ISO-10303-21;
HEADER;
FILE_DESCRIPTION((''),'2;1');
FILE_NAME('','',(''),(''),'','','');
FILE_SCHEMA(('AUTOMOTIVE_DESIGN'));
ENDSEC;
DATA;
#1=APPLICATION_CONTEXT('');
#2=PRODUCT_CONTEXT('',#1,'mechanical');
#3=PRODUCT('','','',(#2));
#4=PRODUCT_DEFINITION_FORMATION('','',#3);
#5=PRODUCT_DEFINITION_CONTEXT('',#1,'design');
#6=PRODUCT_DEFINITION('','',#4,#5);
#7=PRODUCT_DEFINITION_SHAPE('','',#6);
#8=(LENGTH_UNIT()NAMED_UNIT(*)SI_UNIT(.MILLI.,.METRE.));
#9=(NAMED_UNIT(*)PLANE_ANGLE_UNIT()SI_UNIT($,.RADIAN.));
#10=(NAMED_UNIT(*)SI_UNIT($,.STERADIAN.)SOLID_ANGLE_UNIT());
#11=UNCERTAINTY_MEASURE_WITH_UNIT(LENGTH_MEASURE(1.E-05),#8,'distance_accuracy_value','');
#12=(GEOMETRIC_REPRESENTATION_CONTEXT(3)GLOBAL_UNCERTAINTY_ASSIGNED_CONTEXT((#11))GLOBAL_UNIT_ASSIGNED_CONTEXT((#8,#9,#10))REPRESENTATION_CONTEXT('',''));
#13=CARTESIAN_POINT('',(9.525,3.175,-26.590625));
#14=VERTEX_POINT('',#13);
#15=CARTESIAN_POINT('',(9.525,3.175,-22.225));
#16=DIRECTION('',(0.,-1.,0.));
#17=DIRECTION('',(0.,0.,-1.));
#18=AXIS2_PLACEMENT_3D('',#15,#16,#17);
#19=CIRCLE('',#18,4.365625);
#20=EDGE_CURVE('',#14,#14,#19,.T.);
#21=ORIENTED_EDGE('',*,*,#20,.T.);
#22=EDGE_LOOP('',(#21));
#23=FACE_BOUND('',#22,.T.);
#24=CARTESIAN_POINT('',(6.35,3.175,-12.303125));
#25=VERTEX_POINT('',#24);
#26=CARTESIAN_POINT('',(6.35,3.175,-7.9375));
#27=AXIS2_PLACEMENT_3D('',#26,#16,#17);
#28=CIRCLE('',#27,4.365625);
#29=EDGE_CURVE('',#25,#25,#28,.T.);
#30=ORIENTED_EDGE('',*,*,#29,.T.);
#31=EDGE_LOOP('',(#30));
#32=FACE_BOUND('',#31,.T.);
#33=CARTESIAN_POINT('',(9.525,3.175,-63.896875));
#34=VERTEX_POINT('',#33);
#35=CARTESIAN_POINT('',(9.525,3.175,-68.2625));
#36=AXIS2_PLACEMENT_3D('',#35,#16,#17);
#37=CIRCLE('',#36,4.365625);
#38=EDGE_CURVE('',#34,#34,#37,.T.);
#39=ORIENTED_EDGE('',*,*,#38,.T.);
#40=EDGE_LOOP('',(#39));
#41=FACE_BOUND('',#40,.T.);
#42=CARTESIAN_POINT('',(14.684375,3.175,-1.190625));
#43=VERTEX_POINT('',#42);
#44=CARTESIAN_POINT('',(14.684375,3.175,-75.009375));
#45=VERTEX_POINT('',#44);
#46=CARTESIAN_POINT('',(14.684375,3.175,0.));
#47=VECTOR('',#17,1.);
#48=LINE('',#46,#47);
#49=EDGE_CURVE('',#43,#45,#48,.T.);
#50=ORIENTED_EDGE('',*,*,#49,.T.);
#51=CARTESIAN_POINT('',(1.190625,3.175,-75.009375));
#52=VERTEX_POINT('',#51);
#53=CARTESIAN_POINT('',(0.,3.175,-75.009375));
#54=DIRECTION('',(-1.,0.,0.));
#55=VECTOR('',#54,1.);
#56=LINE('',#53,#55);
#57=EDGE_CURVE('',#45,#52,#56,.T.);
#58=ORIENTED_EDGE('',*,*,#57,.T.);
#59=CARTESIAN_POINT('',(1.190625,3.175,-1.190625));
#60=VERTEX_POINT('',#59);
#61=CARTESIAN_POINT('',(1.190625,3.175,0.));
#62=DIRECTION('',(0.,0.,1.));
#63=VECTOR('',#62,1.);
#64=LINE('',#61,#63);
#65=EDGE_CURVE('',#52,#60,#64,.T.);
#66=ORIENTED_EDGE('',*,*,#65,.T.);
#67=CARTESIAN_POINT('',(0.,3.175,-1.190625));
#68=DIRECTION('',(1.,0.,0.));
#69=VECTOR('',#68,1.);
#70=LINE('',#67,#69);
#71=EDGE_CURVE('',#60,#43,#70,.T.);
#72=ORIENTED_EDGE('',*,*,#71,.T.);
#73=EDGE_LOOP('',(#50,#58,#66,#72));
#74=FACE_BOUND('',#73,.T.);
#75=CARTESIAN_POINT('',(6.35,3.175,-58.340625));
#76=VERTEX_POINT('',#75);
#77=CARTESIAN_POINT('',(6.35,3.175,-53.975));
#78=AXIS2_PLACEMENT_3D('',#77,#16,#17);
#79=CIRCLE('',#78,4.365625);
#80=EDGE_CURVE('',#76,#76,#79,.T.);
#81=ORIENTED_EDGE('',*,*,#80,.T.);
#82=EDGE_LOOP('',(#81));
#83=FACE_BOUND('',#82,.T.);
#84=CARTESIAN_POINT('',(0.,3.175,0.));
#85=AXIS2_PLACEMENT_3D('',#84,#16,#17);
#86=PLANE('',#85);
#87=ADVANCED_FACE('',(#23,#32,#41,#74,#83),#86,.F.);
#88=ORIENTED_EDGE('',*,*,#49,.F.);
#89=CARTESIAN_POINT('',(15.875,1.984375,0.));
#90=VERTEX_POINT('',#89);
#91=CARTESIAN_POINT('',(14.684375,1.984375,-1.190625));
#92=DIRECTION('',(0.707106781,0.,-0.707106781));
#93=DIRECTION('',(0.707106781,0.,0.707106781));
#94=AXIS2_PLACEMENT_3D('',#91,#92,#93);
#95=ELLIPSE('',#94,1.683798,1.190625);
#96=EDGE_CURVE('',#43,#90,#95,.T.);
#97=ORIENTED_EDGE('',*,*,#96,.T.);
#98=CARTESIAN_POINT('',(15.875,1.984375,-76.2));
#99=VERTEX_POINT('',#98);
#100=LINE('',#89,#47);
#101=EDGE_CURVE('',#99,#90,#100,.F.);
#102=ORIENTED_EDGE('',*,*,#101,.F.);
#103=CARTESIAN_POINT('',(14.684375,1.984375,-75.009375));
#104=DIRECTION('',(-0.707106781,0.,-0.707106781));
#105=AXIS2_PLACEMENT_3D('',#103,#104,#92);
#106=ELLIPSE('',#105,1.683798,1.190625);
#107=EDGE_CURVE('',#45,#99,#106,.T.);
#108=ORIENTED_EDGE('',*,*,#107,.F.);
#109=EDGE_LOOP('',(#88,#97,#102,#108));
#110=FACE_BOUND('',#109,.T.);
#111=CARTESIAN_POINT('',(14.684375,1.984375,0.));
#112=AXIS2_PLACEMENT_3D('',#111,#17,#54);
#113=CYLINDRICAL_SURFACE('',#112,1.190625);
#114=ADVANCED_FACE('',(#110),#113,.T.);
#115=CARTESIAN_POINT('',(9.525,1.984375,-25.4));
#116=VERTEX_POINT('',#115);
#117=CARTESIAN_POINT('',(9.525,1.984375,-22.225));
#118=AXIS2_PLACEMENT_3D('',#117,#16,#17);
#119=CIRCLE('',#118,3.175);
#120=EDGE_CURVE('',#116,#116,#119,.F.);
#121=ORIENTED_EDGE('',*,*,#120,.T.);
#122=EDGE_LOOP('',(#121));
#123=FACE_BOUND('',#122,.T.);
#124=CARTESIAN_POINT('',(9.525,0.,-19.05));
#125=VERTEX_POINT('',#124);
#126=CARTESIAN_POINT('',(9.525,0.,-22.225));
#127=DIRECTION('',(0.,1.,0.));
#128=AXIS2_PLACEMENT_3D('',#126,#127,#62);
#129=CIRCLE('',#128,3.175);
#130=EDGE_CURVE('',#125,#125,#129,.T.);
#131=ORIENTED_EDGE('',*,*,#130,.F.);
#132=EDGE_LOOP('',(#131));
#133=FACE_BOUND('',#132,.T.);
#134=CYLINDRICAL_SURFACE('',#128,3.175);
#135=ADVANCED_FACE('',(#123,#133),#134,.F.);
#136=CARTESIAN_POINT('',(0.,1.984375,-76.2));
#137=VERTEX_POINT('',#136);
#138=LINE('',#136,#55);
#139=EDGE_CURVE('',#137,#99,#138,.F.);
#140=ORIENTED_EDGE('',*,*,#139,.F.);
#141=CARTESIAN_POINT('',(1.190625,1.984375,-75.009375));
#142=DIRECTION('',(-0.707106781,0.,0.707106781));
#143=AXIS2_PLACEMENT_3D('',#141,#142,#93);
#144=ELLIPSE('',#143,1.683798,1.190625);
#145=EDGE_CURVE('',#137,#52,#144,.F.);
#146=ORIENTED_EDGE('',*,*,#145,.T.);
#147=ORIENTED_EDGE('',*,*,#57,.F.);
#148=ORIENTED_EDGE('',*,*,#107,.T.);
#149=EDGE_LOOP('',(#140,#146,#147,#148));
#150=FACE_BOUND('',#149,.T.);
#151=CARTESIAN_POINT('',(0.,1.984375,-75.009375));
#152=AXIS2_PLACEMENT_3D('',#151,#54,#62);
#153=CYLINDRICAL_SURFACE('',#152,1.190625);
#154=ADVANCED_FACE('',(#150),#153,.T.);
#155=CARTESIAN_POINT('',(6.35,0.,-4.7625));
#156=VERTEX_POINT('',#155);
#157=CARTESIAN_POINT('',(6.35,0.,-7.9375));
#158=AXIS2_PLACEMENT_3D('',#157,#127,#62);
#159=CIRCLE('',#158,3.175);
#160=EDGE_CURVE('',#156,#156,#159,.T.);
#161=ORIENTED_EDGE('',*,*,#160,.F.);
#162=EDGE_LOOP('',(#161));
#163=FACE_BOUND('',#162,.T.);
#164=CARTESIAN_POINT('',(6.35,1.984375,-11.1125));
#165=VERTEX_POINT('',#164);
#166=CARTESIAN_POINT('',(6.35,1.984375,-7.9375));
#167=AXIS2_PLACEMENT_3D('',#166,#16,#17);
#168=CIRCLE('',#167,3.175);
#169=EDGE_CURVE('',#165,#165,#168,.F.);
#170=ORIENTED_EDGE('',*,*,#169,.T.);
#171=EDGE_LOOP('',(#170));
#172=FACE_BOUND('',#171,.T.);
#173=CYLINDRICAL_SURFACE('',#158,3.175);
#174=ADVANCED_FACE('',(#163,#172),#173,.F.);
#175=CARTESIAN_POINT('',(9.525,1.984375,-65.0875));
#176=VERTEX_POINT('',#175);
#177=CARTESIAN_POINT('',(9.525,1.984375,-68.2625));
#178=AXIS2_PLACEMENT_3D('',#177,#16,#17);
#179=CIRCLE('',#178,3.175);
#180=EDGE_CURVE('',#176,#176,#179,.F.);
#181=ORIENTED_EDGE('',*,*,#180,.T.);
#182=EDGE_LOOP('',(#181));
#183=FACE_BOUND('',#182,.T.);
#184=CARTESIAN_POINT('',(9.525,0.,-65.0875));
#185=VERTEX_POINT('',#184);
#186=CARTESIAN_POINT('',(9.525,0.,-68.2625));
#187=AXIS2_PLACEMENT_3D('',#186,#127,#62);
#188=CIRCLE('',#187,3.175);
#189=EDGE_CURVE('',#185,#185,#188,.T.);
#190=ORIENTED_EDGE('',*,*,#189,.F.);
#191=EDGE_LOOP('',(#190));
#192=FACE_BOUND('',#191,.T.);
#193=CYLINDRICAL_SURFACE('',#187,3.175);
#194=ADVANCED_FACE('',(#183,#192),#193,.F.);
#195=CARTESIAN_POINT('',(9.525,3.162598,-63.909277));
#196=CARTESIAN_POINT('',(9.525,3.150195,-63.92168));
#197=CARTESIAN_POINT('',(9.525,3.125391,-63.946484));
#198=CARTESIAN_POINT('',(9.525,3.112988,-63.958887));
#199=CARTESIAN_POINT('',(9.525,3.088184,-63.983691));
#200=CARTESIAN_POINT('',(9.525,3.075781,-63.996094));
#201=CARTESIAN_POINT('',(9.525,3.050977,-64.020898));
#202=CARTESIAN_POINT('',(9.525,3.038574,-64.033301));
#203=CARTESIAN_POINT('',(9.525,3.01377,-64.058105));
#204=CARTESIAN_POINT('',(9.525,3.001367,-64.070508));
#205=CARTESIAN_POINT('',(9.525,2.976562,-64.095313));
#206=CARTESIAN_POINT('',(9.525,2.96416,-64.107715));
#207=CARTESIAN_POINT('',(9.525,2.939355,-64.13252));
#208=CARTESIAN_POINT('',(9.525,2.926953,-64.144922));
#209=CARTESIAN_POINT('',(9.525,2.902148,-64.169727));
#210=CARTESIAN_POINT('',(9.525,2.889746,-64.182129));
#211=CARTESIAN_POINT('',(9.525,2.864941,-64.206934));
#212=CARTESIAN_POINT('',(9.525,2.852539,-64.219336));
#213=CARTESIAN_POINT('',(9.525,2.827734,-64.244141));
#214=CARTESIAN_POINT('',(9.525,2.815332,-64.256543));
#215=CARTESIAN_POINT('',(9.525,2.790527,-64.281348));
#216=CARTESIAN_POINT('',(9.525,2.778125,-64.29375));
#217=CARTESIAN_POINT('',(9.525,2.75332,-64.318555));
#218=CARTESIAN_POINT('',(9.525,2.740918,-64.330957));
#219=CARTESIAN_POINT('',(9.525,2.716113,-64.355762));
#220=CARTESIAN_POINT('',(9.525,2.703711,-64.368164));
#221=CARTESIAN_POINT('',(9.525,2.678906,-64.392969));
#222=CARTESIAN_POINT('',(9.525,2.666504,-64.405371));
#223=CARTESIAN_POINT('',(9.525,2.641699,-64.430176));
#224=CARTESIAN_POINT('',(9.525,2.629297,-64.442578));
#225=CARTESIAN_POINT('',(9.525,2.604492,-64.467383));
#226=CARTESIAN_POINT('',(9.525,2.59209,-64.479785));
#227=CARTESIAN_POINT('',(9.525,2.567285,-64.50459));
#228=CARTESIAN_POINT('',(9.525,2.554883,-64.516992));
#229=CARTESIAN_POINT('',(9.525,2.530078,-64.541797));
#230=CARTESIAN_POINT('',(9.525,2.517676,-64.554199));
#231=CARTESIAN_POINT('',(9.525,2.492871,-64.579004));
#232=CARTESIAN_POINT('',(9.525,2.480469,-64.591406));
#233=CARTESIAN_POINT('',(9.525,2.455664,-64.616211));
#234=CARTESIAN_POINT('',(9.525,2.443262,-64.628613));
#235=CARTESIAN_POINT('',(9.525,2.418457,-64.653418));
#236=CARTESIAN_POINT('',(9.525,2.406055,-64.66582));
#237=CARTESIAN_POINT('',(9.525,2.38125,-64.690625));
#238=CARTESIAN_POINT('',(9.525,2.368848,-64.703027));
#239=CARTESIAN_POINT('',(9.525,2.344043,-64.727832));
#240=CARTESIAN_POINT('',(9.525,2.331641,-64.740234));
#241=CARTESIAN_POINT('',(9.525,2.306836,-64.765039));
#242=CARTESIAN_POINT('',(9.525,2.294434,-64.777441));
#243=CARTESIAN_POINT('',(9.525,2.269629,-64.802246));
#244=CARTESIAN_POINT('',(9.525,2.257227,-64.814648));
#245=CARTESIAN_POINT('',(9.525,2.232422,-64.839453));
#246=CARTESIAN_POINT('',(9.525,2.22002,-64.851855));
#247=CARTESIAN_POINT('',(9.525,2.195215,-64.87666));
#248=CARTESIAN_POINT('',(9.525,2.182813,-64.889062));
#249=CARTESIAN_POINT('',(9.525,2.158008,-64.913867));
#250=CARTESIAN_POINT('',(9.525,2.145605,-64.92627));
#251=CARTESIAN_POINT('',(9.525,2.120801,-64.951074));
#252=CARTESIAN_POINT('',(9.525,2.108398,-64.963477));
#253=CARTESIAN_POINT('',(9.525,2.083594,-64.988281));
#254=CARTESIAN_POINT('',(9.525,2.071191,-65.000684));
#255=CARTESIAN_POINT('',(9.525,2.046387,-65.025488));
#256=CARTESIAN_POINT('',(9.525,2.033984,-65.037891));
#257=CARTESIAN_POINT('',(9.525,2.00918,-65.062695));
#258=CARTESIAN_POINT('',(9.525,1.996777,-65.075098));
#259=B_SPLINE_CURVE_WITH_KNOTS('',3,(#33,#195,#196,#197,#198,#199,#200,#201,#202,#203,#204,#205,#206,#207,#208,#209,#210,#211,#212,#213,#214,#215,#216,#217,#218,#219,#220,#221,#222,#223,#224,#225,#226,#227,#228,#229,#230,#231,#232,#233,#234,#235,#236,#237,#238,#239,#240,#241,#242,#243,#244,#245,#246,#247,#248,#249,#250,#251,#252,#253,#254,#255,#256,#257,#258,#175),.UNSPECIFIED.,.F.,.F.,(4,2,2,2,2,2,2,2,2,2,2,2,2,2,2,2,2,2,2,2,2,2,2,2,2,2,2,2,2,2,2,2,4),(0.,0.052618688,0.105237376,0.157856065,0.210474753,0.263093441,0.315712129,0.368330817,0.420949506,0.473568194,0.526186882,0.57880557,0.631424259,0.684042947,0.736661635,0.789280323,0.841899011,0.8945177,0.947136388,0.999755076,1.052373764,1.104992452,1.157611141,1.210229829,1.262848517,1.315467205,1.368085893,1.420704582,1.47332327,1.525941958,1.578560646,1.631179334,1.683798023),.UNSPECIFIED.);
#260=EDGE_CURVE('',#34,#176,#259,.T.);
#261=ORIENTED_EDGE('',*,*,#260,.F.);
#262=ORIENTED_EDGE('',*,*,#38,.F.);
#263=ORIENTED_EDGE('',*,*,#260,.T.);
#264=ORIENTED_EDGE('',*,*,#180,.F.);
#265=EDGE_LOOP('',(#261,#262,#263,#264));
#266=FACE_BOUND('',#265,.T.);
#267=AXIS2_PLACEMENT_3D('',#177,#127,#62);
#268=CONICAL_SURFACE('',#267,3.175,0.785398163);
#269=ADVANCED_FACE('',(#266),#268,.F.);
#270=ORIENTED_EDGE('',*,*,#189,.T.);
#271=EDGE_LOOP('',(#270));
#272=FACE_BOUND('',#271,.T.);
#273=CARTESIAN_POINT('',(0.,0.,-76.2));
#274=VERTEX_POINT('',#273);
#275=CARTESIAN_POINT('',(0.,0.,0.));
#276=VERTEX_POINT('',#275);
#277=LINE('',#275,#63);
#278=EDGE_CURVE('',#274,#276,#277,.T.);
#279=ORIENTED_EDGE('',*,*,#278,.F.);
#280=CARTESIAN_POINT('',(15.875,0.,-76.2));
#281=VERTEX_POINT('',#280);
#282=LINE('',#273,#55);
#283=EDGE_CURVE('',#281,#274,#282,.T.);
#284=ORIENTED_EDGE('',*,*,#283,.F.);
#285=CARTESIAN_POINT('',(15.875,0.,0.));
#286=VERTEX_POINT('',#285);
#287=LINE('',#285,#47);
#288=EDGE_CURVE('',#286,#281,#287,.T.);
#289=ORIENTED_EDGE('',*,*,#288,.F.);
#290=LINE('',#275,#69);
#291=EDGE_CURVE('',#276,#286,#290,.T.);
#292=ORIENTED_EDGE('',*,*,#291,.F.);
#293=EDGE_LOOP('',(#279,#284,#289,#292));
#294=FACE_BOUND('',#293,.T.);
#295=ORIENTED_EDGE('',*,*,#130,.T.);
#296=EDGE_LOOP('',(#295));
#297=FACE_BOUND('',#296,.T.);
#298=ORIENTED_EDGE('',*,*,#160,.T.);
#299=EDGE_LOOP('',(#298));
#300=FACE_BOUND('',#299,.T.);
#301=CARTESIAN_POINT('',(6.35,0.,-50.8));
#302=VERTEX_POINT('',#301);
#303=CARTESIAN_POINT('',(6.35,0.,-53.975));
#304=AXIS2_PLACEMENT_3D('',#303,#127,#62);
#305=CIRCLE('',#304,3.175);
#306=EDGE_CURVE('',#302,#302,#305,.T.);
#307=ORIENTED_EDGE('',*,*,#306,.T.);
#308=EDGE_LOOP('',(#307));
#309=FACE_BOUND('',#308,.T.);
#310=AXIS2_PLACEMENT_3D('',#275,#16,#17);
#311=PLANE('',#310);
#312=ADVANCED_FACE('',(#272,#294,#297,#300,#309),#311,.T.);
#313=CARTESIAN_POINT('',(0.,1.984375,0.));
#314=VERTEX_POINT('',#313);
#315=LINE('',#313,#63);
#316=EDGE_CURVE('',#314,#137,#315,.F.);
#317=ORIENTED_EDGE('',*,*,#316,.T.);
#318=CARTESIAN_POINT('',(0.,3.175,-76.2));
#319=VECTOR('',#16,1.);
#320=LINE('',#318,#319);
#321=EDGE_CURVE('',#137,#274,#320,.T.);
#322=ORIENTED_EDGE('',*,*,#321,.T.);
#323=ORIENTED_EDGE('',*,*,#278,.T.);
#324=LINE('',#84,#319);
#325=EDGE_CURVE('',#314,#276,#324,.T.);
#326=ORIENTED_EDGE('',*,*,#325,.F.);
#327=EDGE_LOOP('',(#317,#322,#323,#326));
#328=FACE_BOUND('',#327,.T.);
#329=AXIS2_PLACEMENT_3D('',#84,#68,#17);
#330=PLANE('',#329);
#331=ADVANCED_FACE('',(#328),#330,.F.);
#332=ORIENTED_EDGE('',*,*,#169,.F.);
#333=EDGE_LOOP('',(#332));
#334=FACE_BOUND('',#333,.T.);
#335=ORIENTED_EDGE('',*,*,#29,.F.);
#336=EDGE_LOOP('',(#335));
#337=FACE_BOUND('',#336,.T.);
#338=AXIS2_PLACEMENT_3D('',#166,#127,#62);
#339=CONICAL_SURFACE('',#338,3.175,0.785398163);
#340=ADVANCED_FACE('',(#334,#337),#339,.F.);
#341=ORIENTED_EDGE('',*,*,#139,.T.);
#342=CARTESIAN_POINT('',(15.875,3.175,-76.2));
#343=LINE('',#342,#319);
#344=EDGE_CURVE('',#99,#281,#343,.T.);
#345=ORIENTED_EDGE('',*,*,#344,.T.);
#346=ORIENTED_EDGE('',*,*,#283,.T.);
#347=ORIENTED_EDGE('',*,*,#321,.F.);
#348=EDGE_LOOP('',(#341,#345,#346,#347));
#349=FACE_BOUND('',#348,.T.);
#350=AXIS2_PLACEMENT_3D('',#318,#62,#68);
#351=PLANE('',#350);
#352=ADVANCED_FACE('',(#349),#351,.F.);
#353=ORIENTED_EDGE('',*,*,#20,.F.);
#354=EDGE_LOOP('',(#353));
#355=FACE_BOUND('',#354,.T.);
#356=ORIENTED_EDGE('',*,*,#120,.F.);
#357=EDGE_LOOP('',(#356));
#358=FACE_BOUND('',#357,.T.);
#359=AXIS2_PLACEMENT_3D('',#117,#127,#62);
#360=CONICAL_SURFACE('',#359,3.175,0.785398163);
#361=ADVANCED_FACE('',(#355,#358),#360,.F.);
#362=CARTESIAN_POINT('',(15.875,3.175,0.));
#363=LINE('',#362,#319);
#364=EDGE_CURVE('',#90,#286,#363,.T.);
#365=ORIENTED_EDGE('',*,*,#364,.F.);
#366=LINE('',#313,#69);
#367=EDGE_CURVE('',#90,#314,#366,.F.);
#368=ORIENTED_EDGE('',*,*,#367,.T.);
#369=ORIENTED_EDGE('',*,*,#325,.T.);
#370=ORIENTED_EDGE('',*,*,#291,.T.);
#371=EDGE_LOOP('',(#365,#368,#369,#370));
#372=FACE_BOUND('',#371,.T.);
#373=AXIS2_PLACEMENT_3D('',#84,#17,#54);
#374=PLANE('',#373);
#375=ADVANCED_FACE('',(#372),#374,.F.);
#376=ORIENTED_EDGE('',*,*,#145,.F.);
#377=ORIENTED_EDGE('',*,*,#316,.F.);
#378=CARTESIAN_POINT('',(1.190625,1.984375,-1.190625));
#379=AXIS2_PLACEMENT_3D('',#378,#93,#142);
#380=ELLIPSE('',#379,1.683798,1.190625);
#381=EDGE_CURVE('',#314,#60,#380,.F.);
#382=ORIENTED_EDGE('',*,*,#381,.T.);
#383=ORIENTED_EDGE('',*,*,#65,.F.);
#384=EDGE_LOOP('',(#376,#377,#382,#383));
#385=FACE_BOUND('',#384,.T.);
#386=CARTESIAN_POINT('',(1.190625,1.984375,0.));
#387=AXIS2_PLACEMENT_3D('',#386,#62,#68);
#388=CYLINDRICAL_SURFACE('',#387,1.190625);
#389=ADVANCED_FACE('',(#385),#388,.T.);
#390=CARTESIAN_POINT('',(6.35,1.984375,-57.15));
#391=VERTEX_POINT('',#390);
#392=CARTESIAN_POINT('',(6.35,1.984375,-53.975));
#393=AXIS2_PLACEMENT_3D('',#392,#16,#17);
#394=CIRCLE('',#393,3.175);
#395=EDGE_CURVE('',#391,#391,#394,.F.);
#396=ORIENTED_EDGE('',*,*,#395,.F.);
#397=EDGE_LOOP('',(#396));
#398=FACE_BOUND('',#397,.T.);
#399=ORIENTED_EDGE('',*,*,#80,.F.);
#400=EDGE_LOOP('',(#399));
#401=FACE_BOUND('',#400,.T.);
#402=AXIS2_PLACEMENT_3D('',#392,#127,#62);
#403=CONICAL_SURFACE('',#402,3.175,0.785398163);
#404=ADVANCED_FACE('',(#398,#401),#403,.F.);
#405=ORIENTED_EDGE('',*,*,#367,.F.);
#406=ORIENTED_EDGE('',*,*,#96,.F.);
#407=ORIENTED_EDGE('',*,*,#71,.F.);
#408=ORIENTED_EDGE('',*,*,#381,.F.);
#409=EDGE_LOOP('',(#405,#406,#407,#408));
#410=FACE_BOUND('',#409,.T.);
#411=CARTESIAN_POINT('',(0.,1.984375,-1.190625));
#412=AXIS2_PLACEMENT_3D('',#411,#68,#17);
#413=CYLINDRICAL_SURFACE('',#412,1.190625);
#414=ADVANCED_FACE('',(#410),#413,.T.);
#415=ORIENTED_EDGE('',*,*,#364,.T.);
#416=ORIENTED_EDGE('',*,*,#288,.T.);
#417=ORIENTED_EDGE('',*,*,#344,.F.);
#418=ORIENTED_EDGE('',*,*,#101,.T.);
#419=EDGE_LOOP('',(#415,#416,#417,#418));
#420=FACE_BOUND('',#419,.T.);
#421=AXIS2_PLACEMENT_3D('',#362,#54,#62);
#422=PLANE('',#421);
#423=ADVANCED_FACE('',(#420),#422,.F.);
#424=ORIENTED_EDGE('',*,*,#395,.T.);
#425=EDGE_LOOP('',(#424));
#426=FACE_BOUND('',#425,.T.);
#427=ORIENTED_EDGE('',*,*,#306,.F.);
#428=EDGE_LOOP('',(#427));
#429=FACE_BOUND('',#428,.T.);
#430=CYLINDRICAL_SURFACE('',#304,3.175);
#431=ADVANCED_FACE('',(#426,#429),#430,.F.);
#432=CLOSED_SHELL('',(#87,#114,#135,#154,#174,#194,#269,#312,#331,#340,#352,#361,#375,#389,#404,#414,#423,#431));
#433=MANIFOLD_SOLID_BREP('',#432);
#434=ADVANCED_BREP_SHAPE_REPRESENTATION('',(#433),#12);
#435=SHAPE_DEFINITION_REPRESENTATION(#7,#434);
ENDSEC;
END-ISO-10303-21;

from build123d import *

# Parameters (mm, degrees)
SKETCH1_W           = 15.875
SKETCH1_H           = 76.2
BOSS_EXTRUDE1_DEPTH = 3.175
SKETCH2_R           = 3.175
CUT_EXTRUDE1_DEPTH  = 78.90081033
CHAMFER1_SIZE       = 1.190625
FILLET1_R           = 1.190625


with BuildPart() as part:
    # Sketch1 → Boss-Extrude1 (new body)
    with BuildSketch(Plane(origin=(0, 0, 0), x_dir=(1, 0, 0), z_dir=(0, 1, 0))):
        with Locations((7.9375, 38.1)):
            Rectangle(SKETCH1_W, SKETCH1_H)
    extrude(amount=BOSS_EXTRUDE1_DEPTH)

    # Sketch2 → Cut-Extrude1 (cut, through all)
    with BuildSketch(Plane(origin=(0, 3.175, 0), x_dir=(1, 0, 0), z_dir=(0, 1, 0))):
        with Locations(Location((6.35, 53.975, 0), (0, 0, 270))):
            Circle(SKETCH2_R)
        with Locations(Location((9.525, 68.2625, 0), (0, 0, 270))):
            Circle(SKETCH2_R)
        with Locations(Location((9.525, 22.225, 0), (0, 0, 270))):
            Circle(SKETCH2_R)
        with Locations(Location((6.35, 7.9375, 0), (0, 0, 270))):
            Circle(SKETCH2_R)
    extrude(amount=-CUT_EXTRUDE1_DEPTH, mode=Mode.SUBTRACT)

    # Chamfer1
    chamfer1_edges = [part.edges().sort_by_distance(p)[0] for p in [
        (6.35, 3.175, -57.15),
        (9.525, 3.175, -71.4375),
        (9.525, 3.175, -25.4),
        (6.35, 3.175, -11.1125),
    ]]
    chamfer(chamfer1_edges, length=CHAMFER1_SIZE)

    # Fillet1
    fillet1_edges = [part.edges().sort_by_distance(p)[0] for p in [
        (15.875, 3.175, -38.1),
        (7.9375, 3.175, -76.2),
        (0, 3.175, -38.1),
        (7.9375, 3.175, 0),
    ]]
    fillet(fillet1_edges, radius=FILLET1_R)


solid = part.part
